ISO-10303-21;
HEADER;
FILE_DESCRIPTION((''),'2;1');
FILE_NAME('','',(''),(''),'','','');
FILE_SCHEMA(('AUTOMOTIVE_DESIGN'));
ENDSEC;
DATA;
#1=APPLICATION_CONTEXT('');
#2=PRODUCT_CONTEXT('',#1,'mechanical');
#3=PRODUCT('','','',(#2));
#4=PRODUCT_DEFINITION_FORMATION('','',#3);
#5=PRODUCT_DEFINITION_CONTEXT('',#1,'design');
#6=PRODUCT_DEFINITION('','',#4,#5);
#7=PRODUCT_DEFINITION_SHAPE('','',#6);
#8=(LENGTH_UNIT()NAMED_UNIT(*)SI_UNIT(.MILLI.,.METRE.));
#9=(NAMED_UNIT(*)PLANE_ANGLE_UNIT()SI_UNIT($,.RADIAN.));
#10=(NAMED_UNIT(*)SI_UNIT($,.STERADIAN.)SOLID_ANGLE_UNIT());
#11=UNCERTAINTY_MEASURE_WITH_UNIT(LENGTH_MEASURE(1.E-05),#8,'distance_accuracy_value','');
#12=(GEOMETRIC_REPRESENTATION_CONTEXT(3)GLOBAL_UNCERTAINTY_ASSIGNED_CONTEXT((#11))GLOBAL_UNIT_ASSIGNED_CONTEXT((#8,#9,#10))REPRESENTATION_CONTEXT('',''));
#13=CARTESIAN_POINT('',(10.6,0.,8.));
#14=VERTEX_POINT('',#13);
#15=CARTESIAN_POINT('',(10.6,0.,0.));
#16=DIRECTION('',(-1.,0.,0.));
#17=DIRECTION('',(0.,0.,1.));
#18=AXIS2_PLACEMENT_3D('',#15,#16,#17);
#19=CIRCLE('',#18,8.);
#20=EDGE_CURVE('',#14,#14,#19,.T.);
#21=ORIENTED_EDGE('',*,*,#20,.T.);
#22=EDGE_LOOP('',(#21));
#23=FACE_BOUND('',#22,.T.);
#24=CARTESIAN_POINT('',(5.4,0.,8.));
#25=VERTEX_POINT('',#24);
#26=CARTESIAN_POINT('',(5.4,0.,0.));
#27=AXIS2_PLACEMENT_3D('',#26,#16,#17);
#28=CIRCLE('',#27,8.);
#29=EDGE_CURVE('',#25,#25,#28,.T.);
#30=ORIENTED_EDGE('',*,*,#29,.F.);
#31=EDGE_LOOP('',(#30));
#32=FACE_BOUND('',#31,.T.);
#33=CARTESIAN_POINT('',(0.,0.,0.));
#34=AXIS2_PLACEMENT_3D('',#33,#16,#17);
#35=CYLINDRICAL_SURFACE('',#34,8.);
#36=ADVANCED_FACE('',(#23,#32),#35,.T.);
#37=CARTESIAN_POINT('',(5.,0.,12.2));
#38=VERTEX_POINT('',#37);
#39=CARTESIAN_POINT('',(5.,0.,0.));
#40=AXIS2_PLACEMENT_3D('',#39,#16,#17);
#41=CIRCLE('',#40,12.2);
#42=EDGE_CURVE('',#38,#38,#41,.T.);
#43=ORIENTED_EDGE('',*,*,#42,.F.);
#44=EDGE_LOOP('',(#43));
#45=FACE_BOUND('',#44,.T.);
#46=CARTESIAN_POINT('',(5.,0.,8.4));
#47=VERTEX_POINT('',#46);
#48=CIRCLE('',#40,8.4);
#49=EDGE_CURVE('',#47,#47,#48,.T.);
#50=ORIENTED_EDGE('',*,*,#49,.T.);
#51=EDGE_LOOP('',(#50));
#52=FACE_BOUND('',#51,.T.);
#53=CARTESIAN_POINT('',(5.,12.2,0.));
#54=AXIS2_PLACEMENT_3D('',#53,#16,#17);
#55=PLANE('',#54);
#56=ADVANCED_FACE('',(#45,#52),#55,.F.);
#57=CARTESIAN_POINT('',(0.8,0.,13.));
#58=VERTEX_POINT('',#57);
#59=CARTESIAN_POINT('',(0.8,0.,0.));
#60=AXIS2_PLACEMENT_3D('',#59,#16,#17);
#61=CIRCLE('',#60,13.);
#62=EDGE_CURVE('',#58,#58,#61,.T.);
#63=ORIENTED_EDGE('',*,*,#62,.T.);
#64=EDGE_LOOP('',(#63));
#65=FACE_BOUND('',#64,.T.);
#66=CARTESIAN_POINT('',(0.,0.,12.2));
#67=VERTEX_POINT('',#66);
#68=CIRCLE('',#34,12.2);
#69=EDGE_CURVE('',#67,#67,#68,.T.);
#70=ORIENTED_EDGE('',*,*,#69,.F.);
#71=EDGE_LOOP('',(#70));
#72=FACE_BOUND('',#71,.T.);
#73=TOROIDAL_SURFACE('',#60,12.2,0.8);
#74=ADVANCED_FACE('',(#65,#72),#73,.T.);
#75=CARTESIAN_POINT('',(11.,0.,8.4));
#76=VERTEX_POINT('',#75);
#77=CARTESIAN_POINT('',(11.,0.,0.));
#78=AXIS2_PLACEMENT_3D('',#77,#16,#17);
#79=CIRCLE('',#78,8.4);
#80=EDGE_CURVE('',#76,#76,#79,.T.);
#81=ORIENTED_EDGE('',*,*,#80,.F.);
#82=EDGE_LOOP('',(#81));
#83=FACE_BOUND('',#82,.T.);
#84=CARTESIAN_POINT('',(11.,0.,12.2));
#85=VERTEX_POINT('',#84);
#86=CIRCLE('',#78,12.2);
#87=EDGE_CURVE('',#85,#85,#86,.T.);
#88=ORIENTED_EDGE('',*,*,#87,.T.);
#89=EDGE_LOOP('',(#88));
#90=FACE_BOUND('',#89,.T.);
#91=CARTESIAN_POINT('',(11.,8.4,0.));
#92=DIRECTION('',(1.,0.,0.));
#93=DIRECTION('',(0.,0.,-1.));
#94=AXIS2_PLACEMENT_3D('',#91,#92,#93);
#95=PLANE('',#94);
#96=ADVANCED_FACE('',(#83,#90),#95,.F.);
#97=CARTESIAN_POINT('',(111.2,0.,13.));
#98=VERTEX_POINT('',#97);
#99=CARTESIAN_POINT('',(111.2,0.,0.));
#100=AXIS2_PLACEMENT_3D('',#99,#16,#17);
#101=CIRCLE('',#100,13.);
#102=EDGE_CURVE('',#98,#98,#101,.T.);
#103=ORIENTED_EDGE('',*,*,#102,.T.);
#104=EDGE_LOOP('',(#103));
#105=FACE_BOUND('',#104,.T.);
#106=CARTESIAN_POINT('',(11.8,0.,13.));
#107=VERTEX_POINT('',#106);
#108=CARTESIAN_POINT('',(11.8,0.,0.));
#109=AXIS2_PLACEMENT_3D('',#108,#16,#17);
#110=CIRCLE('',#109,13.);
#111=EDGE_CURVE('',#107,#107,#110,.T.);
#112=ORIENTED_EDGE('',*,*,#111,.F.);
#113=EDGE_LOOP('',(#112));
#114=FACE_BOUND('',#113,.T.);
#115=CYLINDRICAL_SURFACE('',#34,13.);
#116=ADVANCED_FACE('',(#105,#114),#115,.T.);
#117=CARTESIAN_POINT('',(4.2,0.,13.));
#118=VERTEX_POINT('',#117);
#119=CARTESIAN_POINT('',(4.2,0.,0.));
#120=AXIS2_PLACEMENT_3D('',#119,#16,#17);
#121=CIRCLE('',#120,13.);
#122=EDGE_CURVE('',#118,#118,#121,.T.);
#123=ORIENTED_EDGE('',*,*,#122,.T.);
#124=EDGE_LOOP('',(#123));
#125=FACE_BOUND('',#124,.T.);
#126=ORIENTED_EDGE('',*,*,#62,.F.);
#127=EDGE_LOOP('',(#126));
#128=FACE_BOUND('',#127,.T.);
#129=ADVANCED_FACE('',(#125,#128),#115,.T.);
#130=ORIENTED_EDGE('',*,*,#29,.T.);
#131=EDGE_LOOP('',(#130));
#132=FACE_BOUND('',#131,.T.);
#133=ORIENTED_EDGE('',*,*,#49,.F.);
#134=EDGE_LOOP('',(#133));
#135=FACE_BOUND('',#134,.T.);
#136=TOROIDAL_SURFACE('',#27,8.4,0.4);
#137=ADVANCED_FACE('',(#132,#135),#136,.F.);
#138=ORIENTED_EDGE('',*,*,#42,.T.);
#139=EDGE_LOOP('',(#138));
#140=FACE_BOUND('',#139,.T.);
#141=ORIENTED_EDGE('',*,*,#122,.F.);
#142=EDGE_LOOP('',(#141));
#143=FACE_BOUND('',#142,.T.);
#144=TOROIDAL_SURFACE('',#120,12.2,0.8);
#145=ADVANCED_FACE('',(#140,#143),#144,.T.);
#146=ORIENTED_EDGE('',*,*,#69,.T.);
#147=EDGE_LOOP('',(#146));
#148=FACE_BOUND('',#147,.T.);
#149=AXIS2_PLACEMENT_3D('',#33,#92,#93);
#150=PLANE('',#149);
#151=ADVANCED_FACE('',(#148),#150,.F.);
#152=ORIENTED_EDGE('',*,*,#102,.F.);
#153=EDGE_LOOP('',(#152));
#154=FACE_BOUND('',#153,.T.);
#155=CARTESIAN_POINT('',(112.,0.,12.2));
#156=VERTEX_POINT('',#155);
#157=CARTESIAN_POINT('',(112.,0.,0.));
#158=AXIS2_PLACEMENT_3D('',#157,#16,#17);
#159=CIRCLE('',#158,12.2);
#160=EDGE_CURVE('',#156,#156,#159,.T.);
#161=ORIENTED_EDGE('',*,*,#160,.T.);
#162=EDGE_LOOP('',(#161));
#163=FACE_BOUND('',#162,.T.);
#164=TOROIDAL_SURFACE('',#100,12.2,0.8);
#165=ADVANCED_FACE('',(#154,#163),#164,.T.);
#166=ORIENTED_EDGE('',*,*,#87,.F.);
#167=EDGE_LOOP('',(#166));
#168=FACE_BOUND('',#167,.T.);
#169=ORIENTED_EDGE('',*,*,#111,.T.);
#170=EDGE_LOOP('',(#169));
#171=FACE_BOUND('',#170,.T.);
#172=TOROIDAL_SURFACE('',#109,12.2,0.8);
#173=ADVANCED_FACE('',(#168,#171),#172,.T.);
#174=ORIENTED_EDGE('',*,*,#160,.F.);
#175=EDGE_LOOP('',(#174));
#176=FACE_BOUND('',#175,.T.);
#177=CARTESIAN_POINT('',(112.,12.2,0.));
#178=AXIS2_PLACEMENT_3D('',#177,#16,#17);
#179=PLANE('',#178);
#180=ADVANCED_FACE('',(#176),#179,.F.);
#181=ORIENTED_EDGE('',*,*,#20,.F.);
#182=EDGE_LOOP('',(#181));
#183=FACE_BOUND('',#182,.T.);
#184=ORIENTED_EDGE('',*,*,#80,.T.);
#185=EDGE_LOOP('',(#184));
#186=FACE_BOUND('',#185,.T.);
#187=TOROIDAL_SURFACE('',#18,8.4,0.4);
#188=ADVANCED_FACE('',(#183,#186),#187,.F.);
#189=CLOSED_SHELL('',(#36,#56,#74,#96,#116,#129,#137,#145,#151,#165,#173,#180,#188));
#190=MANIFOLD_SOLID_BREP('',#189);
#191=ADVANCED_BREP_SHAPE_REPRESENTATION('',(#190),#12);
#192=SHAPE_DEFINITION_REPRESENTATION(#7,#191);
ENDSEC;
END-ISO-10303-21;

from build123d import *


with BuildPart() as part:
    # Sketch1 → Base-Revolve (revolve)
    with BuildSketch(Plane.XY):
        with BuildLine():
            Line((0, 0), (0, 12.2))
            ThreePointArc((0, 12.2), (0.234314575, 12.765685425), (0.8, 13))
            Line((0.8, 13), (4.2, 13))
            ThreePointArc((4.2, 13), (4.765685425, 12.765685425), (5, 12.2))
            Line((5, 12.2), (5, 8.4))
            ThreePointArc((5, 8.4), (5.117157288, 8.117157288), (5.4, 8))
            Line((5.4, 8), (10.6, 8))
            ThreePointArc((10.6, 8), (10.882842712, 8.117157288), (11, 8.4))
            Line((11, 8.4), (11, 12.2))
            ThreePointArc((11, 12.2), (11.234314575, 12.765685425), (11.8, 13))
            Line((11.8, 13), (111.2, 13))
            ThreePointArc((111.2, 13), (111.765685425, 12.765685425), (112, 12.2))
            Line((112, 12.2), (112, 0))
            Line((112, 0), (0, 0))
        make_face()
    revolve(axis=Axis((0, 0, 0), (1, 0, 0)))


solid = part.part
